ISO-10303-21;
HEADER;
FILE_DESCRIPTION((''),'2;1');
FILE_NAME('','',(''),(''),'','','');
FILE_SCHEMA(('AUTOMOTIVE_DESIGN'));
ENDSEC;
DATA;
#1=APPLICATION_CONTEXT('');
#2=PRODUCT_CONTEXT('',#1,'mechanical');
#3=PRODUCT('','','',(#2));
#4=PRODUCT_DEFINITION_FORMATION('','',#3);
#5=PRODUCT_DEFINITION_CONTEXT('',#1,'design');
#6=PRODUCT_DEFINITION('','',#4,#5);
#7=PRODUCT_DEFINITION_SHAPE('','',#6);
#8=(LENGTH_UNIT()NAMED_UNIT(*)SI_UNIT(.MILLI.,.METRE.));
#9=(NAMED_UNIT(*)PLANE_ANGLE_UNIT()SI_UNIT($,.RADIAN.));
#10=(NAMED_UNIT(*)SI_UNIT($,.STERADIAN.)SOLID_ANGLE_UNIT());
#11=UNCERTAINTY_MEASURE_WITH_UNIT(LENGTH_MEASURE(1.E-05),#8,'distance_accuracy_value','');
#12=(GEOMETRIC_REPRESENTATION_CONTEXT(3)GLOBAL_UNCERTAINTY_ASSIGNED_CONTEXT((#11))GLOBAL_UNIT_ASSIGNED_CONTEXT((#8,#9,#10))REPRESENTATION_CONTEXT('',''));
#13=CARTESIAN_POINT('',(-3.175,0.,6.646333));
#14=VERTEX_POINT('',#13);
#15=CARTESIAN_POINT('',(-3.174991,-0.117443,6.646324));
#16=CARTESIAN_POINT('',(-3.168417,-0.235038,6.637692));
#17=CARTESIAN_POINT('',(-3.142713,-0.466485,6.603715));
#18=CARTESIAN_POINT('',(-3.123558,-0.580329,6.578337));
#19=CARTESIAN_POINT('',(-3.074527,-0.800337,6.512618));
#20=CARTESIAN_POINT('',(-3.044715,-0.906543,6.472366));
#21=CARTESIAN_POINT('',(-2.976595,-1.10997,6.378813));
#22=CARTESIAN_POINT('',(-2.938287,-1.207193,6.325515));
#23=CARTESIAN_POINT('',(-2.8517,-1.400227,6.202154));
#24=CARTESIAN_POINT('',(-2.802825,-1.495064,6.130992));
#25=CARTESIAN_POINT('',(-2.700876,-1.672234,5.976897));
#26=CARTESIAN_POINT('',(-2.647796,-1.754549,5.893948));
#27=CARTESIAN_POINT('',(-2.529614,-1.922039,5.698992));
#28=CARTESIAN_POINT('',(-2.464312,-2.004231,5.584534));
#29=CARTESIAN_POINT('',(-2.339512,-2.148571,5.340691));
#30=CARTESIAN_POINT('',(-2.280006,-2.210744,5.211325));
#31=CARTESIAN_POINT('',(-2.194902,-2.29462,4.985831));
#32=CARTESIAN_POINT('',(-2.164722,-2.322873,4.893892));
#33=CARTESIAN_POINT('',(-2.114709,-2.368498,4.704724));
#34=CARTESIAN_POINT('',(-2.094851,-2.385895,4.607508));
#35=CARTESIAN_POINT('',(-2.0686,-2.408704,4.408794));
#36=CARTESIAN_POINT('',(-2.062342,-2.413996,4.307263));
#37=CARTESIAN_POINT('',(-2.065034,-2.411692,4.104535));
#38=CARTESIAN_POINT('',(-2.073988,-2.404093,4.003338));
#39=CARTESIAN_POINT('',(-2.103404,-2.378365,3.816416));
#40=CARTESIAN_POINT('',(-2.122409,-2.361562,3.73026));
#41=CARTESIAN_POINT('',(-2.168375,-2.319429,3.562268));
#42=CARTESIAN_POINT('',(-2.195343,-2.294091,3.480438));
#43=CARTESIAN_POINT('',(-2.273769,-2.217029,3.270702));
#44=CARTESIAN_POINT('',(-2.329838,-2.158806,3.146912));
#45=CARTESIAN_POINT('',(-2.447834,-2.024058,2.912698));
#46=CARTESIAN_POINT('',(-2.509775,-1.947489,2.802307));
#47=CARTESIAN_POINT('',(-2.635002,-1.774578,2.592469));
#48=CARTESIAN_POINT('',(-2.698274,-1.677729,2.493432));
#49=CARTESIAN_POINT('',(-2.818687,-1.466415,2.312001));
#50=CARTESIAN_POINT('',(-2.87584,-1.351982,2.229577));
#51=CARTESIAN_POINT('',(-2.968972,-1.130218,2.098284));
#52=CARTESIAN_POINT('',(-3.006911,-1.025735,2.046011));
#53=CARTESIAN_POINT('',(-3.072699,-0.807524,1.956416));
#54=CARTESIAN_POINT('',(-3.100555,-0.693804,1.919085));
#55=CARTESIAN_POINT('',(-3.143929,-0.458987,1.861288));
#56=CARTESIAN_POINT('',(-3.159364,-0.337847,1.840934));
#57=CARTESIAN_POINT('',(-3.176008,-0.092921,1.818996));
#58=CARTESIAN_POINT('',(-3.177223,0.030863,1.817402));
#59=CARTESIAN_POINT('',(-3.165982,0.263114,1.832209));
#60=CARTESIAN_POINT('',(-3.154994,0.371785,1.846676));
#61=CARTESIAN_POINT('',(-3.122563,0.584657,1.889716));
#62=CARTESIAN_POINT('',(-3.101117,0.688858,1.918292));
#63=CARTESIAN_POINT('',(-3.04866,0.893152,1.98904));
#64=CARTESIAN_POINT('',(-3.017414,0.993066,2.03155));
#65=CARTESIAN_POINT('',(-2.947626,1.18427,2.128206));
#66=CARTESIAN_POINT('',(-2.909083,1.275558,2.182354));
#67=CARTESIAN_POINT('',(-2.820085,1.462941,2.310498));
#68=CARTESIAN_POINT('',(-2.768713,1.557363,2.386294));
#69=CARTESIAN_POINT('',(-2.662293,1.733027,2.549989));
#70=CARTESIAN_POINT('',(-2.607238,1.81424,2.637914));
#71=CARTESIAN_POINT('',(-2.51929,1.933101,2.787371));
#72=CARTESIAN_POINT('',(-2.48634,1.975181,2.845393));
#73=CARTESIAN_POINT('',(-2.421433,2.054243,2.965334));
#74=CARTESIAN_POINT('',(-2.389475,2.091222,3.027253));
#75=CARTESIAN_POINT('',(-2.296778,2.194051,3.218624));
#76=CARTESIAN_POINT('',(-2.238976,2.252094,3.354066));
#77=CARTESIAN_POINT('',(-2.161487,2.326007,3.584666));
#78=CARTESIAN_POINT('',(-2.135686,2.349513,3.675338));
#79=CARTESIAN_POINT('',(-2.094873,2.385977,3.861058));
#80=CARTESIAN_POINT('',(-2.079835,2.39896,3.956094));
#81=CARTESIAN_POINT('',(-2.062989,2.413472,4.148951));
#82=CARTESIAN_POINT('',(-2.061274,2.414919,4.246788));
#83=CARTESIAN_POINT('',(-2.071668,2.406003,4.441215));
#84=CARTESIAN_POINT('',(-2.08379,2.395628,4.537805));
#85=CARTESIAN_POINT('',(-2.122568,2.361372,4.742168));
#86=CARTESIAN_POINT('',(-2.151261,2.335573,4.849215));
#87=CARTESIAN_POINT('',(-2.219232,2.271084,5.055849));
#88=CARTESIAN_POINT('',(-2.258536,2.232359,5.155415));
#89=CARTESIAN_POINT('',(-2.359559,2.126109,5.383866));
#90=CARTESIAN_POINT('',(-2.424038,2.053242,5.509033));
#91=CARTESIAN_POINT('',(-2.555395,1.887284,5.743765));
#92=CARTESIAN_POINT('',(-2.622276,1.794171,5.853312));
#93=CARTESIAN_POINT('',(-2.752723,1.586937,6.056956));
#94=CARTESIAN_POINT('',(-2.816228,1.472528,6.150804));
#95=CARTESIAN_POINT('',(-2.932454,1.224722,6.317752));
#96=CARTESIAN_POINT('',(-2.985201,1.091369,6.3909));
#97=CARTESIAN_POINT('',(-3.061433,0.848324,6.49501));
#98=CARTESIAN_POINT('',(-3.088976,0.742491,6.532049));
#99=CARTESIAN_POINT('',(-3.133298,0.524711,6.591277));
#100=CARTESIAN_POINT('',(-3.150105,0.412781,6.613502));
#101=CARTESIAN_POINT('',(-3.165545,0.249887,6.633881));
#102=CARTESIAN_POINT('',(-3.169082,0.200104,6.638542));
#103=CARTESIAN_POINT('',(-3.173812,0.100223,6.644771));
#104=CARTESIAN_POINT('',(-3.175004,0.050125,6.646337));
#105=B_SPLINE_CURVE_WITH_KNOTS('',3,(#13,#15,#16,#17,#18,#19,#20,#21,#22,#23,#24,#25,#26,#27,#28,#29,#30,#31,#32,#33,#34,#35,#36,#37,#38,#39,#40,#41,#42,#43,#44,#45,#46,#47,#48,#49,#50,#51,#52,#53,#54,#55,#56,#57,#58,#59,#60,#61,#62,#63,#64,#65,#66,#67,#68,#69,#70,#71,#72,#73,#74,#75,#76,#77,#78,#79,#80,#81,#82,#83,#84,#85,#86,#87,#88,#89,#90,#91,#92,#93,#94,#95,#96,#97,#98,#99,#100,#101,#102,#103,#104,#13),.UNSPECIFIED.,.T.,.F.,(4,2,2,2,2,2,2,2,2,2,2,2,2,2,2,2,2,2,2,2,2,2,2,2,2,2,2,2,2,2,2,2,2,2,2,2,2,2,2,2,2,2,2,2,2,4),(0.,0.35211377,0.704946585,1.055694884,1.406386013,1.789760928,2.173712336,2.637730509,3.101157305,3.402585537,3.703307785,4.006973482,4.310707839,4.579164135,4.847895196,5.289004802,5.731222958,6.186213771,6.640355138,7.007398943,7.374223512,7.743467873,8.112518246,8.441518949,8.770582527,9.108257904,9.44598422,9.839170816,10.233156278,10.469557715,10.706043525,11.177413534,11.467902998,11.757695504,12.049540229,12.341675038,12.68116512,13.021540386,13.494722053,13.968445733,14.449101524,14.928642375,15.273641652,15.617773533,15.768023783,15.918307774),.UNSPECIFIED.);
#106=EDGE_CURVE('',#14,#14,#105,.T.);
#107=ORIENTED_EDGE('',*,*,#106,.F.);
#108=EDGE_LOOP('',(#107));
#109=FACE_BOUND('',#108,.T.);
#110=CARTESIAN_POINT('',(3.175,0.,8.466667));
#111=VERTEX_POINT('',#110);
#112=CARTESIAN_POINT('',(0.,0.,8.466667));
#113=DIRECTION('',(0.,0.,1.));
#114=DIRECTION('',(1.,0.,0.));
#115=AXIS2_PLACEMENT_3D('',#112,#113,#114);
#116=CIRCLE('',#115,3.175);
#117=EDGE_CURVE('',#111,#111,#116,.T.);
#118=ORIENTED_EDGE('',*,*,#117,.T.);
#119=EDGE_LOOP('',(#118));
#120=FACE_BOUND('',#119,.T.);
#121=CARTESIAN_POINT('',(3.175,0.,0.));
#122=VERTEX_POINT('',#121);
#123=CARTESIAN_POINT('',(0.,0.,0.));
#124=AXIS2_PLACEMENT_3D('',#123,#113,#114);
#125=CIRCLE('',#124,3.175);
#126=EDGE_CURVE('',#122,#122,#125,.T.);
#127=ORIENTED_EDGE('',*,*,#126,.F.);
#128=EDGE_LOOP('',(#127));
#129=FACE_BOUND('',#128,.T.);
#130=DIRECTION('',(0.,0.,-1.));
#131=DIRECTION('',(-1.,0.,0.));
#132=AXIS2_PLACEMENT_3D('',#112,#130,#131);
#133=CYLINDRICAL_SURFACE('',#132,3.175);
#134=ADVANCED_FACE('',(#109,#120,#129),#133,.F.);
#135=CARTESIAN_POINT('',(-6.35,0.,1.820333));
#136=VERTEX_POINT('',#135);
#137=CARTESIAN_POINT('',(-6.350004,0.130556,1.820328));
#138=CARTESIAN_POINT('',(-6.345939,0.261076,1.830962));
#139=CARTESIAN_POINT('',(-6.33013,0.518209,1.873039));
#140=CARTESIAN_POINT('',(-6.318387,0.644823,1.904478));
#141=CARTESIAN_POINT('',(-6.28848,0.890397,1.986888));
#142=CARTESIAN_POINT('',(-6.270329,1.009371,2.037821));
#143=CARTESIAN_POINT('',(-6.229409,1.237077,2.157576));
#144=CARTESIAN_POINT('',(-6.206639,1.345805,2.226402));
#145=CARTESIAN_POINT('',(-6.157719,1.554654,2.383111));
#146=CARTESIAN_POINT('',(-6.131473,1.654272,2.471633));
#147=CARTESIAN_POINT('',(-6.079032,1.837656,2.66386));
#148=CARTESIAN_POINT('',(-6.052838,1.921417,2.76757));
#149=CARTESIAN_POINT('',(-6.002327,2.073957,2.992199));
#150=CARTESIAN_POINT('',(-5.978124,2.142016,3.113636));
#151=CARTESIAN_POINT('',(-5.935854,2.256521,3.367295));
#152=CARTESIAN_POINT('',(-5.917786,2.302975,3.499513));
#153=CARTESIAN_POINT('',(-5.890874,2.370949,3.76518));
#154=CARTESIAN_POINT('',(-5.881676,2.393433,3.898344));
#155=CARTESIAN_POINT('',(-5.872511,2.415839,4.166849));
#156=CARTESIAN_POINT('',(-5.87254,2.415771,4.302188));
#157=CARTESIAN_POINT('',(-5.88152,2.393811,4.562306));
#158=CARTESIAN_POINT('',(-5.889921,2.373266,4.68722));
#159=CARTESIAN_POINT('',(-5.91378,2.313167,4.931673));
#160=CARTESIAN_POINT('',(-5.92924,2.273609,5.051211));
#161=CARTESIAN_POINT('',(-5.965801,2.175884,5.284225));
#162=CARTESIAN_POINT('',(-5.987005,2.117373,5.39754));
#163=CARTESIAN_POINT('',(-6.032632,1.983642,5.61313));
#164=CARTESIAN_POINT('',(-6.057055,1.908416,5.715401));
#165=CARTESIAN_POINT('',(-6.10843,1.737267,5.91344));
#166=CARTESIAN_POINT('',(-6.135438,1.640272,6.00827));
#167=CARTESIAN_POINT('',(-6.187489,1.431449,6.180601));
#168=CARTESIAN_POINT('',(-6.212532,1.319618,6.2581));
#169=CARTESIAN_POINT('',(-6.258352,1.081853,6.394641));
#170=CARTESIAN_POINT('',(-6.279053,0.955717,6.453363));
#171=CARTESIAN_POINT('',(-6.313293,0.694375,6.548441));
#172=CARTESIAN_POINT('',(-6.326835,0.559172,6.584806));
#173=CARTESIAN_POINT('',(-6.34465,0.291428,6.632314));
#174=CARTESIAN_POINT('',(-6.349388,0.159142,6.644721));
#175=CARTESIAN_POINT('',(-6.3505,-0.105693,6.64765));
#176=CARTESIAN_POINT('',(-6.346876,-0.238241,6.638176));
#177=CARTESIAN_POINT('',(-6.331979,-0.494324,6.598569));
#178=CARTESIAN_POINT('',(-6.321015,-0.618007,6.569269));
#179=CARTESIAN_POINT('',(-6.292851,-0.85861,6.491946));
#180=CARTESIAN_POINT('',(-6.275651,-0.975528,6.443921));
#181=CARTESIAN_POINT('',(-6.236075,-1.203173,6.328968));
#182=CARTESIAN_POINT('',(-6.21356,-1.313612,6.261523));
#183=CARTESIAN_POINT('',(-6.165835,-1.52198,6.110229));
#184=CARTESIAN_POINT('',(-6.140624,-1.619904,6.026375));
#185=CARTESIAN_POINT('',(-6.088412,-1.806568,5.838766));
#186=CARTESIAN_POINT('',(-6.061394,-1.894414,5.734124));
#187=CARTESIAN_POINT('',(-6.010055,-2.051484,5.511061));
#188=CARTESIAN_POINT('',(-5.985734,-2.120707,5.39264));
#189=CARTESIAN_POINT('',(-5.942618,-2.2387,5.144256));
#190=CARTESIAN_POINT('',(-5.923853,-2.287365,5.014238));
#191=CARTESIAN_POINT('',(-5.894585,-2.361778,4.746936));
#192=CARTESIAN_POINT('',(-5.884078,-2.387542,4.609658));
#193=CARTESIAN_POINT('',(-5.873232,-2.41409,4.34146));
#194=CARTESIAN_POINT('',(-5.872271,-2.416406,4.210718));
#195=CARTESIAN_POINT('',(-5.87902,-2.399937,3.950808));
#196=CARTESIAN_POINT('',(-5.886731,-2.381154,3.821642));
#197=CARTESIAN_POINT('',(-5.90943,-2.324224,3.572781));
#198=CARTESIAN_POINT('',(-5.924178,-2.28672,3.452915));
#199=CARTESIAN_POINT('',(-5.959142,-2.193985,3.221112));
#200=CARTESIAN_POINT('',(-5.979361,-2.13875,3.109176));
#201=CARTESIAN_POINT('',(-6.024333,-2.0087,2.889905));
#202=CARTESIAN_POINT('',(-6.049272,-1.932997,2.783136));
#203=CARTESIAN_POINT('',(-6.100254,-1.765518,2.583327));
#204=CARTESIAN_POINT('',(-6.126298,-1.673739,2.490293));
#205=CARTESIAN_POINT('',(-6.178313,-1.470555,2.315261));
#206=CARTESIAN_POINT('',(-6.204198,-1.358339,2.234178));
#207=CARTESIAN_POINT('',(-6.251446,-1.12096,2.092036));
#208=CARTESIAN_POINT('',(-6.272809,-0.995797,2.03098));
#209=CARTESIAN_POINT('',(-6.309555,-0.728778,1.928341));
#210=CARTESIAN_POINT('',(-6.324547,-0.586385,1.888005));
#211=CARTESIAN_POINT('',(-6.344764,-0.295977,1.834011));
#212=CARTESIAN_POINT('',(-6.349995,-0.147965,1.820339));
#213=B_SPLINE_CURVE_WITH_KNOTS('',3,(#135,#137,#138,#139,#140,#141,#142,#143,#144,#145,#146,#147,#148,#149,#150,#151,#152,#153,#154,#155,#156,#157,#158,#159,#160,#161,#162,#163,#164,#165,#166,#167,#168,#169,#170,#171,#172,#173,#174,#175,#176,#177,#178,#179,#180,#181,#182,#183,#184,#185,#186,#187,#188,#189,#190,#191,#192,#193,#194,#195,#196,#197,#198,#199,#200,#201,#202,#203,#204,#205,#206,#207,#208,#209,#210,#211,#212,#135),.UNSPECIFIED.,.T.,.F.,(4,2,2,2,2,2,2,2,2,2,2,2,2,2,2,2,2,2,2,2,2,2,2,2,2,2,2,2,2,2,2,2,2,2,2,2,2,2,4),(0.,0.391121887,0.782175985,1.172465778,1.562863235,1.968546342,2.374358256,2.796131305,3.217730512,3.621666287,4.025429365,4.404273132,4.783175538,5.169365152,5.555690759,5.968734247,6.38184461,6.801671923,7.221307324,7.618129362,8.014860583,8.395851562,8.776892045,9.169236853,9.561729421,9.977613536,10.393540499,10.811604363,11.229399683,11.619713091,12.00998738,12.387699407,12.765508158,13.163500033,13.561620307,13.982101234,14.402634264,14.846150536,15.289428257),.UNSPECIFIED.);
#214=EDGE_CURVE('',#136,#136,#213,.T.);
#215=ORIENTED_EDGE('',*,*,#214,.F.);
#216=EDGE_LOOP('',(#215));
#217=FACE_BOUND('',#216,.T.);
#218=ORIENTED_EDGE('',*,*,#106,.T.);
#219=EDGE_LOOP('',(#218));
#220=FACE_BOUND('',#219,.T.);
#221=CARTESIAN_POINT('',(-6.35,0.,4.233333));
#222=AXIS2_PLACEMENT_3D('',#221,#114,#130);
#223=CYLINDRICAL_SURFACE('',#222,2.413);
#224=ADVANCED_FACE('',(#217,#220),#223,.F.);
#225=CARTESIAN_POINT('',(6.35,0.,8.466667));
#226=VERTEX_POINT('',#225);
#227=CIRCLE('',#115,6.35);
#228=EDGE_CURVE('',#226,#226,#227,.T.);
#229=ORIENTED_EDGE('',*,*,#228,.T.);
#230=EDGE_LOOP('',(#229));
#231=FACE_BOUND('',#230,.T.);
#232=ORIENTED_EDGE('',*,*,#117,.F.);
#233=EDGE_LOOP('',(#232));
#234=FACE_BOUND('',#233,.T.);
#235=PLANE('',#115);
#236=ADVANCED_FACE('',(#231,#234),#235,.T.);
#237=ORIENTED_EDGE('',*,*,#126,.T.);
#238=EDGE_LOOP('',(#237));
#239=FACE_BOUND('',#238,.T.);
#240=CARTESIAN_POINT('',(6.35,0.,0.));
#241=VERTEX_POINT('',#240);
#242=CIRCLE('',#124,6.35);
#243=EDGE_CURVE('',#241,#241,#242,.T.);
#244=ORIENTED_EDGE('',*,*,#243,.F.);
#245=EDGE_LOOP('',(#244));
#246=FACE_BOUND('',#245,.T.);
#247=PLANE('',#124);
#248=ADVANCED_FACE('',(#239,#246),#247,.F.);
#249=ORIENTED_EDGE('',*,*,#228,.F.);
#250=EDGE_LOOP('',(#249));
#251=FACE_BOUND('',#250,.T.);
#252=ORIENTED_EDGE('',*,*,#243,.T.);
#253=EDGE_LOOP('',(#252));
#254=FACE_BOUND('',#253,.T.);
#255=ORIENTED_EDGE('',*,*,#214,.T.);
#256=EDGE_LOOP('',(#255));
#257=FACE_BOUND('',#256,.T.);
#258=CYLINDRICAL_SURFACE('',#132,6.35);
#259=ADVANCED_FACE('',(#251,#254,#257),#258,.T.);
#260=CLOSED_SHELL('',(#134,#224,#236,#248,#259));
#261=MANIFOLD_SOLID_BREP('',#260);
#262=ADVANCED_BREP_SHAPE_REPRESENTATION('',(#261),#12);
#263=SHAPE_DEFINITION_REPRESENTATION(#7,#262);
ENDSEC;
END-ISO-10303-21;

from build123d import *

# Parameters (mm, degrees)
SKETCH1_R           = 6.35
SKETCH1_R_2         = 3.175
BOSS_EXTRUDE1_DEPTH = 8.466666667
SKETCH2_R           = 2.413
CUT_EXTRUDE1_DEPTH  = 7.35


with BuildPart() as part:
    # Sketch1 → Boss-Extrude1 (new body)
    with BuildSketch(Plane.XY):
        Circle(SKETCH1_R)
        Circle(SKETCH1_R_2, mode=Mode.SUBTRACT)
    extrude(amount=BOSS_EXTRUDE1_DEPTH)

    # Sketch2 → Cut-Extrude1 (cut, through all)
    with BuildSketch(Plane(origin=(0, 0, 0), x_dir=(0, 0, -1), z_dir=(1, 0, 0))):
        with Locations((-4.233333333, 0)):
            Circle(SKETCH2_R)
    extrude(amount=-CUT_EXTRUDE1_DEPTH, mode=Mode.SUBTRACT)


solid = part.part
